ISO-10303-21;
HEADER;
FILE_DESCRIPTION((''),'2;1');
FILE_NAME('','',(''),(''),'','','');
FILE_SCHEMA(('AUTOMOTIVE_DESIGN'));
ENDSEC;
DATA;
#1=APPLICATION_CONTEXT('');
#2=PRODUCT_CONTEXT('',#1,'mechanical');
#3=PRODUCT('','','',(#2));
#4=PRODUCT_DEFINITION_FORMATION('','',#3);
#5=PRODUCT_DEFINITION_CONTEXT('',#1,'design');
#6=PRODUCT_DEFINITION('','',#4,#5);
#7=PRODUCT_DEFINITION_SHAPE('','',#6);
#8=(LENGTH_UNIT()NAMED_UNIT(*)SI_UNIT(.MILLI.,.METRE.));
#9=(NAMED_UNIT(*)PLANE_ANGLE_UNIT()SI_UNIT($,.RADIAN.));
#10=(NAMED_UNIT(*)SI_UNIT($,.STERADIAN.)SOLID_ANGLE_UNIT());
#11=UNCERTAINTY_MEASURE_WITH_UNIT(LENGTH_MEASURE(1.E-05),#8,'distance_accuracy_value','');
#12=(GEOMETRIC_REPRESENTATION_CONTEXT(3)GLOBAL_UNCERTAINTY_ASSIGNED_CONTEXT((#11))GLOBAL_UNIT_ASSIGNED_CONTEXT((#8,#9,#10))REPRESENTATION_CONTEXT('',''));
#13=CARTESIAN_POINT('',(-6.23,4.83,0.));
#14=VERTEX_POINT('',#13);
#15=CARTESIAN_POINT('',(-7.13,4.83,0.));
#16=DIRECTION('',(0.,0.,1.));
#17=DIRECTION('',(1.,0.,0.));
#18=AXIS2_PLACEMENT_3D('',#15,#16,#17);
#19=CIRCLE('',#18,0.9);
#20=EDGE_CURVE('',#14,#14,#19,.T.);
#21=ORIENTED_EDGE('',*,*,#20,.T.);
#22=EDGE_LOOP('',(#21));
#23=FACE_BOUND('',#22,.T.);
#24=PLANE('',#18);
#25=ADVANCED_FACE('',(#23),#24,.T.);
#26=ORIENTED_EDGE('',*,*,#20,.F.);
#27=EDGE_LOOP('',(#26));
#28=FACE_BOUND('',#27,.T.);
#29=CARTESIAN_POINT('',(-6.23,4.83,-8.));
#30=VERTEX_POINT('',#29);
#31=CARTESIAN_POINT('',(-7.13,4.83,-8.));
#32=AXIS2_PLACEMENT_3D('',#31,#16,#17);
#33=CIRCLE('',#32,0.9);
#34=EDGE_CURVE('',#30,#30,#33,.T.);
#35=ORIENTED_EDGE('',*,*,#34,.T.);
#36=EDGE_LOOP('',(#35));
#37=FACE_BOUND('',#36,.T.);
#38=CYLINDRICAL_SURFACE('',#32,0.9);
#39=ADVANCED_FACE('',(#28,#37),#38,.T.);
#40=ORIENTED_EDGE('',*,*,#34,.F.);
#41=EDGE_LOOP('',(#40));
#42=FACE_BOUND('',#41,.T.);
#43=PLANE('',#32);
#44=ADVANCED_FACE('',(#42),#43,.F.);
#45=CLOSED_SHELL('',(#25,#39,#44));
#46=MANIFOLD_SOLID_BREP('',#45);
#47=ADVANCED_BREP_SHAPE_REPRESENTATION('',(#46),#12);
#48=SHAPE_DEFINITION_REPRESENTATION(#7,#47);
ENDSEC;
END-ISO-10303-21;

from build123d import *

# Parameters (mm, degrees)
SKETCH1_R           = 0.9
BOSS_EXTRUDE1_DEPTH = 8


with BuildPart() as part:
    # Sketch1 → Boss-Extrude1 (new body)
    with BuildSketch(Plane.XY):
        with Locations((-7.13, 4.83)):
            Circle(SKETCH1_R)
    extrude(amount=-BOSS_EXTRUDE1_DEPTH)


solid = part.part
